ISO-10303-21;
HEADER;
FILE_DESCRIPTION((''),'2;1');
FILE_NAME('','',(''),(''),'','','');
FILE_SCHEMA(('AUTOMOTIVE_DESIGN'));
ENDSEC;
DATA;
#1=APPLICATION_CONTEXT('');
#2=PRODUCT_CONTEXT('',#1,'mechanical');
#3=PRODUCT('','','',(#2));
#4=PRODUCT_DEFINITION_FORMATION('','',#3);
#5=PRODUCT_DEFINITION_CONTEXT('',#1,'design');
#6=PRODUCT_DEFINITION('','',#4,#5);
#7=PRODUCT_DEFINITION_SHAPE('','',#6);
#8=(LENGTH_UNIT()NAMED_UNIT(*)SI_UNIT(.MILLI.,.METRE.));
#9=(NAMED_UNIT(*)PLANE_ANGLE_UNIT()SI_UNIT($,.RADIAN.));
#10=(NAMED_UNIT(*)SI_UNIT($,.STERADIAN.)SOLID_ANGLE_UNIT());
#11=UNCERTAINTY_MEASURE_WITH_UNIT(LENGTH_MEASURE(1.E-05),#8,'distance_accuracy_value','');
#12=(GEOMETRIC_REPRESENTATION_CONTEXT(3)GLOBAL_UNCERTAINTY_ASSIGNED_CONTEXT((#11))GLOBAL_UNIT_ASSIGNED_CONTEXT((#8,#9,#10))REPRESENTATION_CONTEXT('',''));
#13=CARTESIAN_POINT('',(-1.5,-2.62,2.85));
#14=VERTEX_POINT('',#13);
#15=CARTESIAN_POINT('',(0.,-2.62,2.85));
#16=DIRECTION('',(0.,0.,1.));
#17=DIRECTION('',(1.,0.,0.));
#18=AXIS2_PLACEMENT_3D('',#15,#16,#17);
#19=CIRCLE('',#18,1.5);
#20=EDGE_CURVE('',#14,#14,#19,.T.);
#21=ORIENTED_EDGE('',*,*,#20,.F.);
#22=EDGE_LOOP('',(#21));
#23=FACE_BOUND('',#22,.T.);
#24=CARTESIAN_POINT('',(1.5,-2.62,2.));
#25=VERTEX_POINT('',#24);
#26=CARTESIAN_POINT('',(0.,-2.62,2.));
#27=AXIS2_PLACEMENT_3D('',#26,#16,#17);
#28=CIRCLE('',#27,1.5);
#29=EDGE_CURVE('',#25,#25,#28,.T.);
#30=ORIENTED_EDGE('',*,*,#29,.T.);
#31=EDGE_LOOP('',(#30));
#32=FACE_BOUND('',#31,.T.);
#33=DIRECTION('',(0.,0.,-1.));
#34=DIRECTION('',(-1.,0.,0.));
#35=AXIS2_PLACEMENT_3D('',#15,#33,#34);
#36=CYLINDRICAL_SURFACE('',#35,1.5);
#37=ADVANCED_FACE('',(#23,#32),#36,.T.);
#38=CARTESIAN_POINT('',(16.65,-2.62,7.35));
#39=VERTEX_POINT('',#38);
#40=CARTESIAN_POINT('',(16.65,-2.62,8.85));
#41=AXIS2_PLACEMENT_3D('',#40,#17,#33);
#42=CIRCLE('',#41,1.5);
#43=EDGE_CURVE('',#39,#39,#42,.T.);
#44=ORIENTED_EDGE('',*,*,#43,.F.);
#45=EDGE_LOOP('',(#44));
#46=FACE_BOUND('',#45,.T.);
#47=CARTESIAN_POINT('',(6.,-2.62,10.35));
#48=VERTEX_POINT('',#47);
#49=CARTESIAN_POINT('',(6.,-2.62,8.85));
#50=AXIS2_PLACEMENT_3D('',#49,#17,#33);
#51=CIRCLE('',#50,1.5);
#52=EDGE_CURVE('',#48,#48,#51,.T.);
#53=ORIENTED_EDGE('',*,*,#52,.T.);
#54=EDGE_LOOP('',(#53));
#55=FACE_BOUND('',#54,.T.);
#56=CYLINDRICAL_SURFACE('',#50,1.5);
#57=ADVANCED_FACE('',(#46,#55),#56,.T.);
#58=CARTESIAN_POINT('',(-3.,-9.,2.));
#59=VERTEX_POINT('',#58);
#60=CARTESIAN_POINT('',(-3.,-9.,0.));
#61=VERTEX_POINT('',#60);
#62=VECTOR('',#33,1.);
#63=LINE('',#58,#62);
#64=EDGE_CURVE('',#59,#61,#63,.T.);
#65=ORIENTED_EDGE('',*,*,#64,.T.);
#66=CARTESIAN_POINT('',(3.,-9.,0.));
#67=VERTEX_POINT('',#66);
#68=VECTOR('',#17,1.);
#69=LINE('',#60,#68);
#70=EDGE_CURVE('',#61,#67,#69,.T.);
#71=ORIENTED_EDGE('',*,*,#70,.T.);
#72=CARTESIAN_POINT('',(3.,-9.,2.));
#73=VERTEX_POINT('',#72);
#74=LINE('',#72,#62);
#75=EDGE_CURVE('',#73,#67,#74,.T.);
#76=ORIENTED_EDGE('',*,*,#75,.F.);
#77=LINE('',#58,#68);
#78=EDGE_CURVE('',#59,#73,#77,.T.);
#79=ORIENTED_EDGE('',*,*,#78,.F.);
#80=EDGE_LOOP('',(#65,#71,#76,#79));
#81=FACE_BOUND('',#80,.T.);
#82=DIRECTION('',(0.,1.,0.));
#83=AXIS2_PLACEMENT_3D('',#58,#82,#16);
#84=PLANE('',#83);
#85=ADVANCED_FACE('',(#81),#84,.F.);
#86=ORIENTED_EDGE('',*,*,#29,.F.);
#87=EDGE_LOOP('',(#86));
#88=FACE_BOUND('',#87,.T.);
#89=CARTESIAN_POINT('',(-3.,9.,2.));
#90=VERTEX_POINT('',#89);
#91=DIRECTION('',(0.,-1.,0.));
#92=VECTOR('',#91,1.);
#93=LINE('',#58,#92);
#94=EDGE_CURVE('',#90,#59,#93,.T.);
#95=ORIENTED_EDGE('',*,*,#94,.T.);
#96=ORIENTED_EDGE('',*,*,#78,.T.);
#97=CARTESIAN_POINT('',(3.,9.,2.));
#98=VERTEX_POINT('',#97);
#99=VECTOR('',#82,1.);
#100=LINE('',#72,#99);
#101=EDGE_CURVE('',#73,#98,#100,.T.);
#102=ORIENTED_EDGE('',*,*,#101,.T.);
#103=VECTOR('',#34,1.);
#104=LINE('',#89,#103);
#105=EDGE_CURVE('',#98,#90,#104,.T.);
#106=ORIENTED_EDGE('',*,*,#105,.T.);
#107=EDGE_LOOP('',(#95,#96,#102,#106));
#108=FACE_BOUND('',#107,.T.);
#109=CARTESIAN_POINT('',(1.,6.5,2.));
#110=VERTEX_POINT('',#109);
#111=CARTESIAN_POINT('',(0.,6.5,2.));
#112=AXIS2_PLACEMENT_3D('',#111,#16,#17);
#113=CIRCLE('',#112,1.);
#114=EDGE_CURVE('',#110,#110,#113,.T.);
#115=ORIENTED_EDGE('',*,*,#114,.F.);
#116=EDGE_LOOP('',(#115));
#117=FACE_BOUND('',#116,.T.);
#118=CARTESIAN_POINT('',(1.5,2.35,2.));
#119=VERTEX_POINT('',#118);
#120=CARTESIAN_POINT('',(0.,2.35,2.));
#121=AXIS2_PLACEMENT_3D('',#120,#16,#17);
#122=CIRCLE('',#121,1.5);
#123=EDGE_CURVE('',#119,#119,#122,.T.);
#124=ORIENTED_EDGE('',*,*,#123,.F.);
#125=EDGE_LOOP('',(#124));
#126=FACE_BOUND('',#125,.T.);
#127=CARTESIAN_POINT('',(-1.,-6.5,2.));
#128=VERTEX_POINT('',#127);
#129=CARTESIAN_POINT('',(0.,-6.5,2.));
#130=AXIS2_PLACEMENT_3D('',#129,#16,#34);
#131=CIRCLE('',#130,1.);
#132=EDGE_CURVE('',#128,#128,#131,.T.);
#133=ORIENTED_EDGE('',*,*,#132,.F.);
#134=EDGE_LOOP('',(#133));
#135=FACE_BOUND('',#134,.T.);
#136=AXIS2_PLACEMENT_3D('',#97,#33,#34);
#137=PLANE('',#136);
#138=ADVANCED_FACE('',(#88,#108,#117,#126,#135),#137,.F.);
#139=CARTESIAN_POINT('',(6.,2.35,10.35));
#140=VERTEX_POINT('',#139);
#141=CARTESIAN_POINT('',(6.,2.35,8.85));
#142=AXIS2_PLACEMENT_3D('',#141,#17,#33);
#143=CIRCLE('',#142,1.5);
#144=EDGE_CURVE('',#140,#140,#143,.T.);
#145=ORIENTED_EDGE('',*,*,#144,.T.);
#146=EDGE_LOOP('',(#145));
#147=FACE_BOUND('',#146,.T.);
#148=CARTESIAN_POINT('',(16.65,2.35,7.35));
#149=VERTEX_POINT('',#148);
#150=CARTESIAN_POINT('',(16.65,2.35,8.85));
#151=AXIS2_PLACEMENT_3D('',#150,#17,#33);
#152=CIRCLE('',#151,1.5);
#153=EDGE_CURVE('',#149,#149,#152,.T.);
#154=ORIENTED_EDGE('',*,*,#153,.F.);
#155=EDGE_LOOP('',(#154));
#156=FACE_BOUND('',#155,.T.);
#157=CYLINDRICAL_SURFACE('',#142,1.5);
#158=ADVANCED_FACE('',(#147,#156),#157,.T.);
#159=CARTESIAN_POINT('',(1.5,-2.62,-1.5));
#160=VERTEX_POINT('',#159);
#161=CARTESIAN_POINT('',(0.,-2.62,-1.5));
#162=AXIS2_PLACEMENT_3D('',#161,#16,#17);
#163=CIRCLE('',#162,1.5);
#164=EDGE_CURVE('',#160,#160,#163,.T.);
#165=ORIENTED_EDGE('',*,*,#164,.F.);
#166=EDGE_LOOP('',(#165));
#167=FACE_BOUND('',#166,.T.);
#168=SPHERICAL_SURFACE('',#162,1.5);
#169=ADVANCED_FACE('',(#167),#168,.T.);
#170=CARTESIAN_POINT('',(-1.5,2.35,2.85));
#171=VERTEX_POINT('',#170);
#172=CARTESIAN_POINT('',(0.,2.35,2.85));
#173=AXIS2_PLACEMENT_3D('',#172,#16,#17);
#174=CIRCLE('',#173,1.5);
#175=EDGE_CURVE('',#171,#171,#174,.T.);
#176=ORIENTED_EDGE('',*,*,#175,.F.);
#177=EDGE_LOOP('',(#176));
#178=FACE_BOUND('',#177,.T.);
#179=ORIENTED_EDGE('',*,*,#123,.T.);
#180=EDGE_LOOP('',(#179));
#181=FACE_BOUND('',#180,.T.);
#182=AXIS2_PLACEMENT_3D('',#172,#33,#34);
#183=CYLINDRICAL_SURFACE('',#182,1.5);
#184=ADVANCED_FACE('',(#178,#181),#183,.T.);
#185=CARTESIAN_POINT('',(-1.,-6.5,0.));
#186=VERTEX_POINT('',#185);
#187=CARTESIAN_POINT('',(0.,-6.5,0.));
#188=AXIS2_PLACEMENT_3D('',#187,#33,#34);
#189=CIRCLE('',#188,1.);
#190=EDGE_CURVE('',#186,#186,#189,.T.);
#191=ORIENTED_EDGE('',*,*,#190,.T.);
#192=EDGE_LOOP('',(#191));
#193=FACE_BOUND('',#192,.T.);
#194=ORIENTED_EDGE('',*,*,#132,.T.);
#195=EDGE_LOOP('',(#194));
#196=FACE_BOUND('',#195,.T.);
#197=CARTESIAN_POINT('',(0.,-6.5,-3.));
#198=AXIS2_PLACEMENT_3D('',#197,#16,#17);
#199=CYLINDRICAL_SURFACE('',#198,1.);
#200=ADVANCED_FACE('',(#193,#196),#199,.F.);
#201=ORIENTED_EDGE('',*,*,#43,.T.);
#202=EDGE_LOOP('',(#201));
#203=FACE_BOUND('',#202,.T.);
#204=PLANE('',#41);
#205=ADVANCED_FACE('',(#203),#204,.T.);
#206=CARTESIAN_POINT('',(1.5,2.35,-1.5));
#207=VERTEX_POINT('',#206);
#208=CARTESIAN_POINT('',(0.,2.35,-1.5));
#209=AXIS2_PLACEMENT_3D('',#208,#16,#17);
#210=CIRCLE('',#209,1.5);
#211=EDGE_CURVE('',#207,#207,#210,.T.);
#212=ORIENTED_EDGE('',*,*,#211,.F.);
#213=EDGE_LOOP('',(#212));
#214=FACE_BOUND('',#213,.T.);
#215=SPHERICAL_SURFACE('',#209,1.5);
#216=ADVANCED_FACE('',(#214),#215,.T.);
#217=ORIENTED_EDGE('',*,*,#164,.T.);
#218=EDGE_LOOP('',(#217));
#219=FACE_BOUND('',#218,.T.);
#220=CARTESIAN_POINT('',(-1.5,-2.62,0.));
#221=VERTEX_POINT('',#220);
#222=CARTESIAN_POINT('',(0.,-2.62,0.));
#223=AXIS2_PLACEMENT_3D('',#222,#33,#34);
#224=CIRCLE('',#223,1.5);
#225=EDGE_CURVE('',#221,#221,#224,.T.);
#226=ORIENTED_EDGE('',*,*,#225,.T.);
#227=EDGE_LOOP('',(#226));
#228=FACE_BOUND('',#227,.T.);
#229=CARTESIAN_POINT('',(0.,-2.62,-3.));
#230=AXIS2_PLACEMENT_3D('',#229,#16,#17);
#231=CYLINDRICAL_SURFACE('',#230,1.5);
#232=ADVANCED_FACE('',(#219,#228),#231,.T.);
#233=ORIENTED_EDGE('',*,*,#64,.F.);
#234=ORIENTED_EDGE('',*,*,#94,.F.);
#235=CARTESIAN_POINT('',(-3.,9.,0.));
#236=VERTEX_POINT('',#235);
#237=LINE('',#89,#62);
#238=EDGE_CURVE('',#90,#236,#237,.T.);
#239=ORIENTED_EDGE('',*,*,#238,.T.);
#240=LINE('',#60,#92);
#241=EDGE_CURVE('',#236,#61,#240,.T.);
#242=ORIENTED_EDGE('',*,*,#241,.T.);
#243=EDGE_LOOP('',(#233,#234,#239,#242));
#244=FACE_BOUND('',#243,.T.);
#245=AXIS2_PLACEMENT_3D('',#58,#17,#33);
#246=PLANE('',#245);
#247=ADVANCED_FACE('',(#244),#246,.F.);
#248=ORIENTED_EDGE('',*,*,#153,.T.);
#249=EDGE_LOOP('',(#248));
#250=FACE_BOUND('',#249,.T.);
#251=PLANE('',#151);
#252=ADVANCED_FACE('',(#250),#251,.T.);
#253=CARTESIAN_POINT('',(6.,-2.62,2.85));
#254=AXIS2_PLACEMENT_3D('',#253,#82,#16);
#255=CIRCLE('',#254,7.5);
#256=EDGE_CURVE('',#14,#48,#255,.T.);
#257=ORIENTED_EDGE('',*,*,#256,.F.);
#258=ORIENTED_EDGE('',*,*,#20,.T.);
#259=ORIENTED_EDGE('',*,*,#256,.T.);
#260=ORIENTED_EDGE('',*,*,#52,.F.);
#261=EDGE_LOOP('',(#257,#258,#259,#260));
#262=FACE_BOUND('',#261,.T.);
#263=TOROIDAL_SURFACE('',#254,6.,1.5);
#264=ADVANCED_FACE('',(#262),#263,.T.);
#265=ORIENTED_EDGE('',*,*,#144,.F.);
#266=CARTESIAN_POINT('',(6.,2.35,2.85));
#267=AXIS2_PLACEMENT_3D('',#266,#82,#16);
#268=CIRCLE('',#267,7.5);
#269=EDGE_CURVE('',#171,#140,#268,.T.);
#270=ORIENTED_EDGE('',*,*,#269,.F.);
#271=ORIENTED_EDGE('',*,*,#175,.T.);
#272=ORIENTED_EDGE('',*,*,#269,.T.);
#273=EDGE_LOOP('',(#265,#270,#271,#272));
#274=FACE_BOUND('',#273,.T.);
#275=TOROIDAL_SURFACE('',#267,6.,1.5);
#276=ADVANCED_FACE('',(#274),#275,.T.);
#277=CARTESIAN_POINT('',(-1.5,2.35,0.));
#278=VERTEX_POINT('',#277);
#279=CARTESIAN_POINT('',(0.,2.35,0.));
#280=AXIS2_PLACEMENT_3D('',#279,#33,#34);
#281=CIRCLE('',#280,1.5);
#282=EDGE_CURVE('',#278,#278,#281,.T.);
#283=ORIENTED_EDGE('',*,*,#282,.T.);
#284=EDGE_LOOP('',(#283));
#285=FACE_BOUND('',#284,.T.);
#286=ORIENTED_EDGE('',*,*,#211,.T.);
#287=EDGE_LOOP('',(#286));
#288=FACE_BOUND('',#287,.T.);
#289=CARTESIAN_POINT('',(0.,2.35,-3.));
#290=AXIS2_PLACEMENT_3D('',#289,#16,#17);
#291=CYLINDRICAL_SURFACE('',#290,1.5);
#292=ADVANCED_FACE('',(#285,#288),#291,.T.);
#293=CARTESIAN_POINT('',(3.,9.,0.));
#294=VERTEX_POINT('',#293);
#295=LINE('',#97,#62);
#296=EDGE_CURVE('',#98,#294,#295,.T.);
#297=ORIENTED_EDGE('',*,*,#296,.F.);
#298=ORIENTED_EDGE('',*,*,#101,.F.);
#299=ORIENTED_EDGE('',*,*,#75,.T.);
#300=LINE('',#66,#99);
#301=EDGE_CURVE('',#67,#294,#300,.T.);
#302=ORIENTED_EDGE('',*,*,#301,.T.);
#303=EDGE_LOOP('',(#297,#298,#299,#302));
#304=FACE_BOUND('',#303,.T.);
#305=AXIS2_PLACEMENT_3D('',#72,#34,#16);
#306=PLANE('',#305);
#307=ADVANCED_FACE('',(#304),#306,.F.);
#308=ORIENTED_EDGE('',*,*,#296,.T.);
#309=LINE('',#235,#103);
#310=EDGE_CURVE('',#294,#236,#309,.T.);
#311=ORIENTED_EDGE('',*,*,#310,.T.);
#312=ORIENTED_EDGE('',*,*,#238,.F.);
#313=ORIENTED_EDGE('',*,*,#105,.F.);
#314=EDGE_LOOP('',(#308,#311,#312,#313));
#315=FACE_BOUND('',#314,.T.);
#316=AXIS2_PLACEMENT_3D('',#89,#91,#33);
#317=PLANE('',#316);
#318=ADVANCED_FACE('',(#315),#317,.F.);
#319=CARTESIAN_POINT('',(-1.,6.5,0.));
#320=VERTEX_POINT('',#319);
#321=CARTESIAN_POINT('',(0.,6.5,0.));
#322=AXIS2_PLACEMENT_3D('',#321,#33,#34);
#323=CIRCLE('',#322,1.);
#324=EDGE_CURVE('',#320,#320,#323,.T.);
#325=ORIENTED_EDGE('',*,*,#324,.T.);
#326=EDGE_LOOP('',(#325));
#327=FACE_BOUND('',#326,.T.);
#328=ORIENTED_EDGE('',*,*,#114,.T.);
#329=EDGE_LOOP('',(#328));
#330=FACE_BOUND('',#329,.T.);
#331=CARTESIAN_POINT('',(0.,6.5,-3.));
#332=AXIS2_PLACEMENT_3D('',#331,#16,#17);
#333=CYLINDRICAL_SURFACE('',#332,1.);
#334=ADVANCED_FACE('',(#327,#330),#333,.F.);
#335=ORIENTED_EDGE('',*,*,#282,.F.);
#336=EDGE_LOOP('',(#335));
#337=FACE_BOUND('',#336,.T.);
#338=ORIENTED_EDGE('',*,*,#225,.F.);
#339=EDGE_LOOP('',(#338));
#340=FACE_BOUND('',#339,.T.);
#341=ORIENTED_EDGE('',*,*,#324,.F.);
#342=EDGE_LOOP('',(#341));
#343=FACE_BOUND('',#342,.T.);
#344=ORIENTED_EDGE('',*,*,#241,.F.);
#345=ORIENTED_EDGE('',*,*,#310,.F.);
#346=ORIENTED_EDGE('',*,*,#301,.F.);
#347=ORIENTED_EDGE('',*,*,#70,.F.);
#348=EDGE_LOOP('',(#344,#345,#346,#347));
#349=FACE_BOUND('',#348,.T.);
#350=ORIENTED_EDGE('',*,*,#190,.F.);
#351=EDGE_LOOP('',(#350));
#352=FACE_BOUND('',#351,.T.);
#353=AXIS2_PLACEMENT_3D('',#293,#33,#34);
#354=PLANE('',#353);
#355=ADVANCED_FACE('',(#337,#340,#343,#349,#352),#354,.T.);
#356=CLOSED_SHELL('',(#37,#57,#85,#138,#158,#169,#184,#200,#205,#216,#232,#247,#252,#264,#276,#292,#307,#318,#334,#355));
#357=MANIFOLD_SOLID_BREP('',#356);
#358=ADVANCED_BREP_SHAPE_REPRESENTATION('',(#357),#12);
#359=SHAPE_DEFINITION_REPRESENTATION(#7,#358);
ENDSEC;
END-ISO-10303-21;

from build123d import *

# Parameters (mm, degrees)
SKETCH1_W           = 6
SKETCH1_H           = 18
BOSS_EXTRUDE1_DEPTH = 2
SKETCH2_R           = 1.5
BOSS_EXTRUDE2_DEPTH = 3
FILLET1_R           = 1.5
SKETCH3_R           = 1.5
SKETCH5_R           = 1
CUT_EXTRUDE1_DEPTH  = 21.686831601


with BuildPart() as part:
    # Sketch1 → Boss-Extrude1 (new body)
    with BuildSketch(Plane.XY):
        Rectangle(SKETCH1_W, SKETCH1_H)
    extrude(amount=BOSS_EXTRUDE1_DEPTH)

    # Sketch2 → Boss-Extrude2 (add)
    with BuildSketch(Plane(origin=(0, 0, 0), x_dir=(-1, 0, 0), z_dir=(0, 0, -1))):
        with Locations((0, 2.35)):
            Circle(SKETCH2_R)
        with Locations((0, -2.62)):
            Circle(SKETCH2_R)
    extrude(amount=BOSS_EXTRUDE2_DEPTH)

    # Fillet1
    fillet1_edges = [part.edges().sort_by_distance(p)[0] for p in [
        (1.5, 2.35, -3),
        (1.5, -2.62, -3),
    ]]
    fillet(fillet1_edges, radius=FILLET1_R)

    # Sweep1: sweep along a path in Sketch4
    with BuildLine(Plane(origin=(0, 2.35, 0), x_dir=(-1, 0, 0), z_dir=(0, 1, 0))) as sweep1_path:
        Line((0, 2), (0, 2.85))
        ThreePointArc((0, 2.85), (-1.757359313, 7.092640687), (-6, 8.85))
        Line((-6, 8.85), (-16.65, 8.85))
    # Sketch3 → Sweep1 (sweep)
    with BuildSketch(Plane.XY.offset(2)):
        with Locations((0, -2.62)):
            Circle(SKETCH3_R)
        with Locations((0, 2.35)):
            Circle(SKETCH3_R)
    sweep(path=sweep1_path.line)

    # Sketch5 → Cut-Extrude1 (cut, through all)
    with BuildSketch(Plane.XY.offset(2)):
        with Locations((0, 6.5)):
            Circle(SKETCH5_R)
        with Locations(Location((0, -6.5, 0), (0, 0, 180))):
            Circle(SKETCH5_R)
    extrude(amount=-CUT_EXTRUDE1_DEPTH, mode=Mode.SUBTRACT)


solid = part.part
